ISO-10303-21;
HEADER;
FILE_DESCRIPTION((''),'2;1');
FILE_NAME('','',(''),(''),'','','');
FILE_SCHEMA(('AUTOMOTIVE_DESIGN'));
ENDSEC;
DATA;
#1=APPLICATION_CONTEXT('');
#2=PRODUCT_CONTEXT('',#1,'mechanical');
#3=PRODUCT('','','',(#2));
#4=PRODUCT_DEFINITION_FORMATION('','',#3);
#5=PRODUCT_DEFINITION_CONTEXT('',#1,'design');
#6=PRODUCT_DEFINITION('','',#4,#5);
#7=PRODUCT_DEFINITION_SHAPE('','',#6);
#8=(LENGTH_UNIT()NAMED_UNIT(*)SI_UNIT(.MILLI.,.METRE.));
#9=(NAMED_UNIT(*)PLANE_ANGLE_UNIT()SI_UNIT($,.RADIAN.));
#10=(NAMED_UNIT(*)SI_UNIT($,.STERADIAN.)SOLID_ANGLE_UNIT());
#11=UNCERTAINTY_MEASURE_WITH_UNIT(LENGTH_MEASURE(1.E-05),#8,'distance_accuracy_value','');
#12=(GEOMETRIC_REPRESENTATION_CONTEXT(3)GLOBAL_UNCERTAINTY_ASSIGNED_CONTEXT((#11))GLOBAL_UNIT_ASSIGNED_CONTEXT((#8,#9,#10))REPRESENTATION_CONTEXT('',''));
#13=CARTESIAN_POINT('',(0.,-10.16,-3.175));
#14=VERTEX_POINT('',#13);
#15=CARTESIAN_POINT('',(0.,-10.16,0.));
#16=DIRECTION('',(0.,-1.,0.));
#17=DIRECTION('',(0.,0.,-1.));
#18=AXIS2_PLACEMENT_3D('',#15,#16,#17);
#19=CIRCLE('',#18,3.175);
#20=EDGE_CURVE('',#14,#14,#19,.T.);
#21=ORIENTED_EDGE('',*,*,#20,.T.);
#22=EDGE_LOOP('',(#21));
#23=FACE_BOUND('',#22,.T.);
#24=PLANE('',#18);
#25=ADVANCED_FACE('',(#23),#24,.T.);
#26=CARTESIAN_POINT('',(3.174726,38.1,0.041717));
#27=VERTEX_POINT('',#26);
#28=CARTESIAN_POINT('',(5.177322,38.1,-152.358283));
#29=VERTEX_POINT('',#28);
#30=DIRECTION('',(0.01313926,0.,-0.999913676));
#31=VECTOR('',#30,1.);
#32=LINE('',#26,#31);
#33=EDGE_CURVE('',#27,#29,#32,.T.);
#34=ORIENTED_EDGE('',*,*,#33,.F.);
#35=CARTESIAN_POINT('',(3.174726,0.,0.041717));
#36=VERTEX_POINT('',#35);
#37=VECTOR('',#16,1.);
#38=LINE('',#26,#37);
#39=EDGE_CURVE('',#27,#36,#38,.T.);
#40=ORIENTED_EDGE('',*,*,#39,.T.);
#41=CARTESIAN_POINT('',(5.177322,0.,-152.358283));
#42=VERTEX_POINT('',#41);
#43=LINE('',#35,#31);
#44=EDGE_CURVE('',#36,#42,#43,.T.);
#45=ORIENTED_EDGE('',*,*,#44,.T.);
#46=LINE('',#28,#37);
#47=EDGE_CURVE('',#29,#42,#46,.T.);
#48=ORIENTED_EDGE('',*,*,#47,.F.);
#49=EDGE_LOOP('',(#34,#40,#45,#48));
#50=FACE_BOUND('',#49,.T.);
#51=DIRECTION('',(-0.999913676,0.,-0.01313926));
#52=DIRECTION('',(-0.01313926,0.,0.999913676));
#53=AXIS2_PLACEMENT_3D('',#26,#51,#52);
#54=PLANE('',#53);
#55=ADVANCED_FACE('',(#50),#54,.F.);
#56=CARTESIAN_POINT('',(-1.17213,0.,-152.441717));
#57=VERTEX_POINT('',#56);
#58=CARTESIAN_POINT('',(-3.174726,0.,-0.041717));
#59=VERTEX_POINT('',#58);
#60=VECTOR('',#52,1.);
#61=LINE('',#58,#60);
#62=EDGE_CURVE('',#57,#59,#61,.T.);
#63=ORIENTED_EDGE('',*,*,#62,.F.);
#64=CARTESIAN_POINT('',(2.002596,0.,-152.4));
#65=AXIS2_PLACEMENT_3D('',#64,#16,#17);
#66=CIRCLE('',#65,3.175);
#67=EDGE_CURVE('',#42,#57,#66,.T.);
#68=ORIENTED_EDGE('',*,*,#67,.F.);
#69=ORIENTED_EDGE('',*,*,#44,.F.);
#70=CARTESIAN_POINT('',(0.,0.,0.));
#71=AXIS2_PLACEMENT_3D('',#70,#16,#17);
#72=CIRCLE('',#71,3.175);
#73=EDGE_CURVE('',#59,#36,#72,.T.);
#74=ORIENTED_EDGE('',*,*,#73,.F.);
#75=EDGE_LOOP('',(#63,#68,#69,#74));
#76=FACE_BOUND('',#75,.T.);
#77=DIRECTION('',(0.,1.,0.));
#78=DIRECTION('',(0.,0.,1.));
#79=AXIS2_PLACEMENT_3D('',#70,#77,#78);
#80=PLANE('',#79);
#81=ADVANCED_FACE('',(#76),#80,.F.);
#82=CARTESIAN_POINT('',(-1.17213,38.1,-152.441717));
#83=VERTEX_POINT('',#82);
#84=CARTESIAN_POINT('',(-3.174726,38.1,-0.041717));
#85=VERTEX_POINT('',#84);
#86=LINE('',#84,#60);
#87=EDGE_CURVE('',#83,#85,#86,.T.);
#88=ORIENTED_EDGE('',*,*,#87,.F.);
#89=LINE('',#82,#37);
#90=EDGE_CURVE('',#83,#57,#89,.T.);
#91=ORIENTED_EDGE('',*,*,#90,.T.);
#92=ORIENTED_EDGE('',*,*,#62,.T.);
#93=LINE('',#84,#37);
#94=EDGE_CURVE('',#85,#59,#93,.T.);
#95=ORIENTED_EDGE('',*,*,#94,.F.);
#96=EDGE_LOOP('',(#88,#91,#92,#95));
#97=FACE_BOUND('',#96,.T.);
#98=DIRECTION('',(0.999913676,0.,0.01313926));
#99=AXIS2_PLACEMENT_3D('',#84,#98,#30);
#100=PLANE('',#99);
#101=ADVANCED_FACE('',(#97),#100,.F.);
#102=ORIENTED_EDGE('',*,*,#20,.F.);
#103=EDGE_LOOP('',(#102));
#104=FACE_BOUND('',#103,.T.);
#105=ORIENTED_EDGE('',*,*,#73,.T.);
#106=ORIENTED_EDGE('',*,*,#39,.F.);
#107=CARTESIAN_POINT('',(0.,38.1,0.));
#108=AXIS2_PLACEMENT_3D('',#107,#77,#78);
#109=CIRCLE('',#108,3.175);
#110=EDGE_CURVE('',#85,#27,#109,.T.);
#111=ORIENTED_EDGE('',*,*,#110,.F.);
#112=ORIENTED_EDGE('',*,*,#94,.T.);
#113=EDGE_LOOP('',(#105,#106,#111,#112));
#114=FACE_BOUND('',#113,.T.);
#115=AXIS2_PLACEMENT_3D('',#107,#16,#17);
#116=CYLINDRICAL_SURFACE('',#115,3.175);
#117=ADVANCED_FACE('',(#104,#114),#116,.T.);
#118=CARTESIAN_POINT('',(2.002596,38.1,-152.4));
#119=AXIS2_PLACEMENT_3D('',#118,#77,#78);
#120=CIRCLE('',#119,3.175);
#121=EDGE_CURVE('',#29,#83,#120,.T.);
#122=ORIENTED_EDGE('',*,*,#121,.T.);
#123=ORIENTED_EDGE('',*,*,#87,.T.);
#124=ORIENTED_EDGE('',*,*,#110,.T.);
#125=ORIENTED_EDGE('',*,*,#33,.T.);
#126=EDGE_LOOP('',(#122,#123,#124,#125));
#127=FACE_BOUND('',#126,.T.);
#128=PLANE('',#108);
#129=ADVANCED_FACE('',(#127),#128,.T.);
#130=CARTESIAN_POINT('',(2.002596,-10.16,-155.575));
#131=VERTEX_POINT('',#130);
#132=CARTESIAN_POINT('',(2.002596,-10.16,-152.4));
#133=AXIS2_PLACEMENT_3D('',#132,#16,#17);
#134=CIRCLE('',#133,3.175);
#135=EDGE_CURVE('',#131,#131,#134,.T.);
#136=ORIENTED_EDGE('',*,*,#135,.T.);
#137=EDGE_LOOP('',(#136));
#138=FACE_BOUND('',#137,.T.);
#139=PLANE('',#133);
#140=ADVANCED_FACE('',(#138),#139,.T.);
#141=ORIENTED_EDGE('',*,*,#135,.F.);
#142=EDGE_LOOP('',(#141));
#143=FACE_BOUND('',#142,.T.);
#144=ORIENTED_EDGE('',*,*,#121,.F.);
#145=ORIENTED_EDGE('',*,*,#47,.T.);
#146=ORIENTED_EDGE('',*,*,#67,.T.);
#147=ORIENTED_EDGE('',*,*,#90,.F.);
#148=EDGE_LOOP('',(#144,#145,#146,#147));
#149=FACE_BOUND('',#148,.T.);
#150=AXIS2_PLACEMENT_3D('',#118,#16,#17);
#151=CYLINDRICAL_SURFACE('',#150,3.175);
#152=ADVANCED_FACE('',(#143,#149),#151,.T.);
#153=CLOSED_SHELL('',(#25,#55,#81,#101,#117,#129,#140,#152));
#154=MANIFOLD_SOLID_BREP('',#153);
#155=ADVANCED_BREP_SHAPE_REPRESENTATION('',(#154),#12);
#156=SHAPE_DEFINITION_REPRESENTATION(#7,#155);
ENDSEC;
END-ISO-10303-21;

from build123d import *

# Parameters (mm, degrees)
BOSS_EXTRUDE1_DEPTH = 38.1
BOSS_EXTRUDE2_START = 10.16
SKETCH2_R           = 3.175
BOSS_EXTRUDE2_DEPTH = 10.16


with BuildPart() as part:
    # Sketch1 → Boss-Extrude1 (new body)
    with BuildSketch(Plane(origin=(0, 0, 0), x_dir=(1, 0, 0), z_dir=(0, 1, 0))):
        with BuildLine():
            Line((-3.174725922, 0.04171715), (-1.172129839, 152.44171715))
            ThreePointArc((-1.172129839, 152.44171715), (2.044313233, 155.574725922), (5.177322005, 152.35828285))
            Line((5.177322005, 152.35828285), (3.174725922, -0.04171715))
            ThreePointArc((3.174725922, -0.04171715), (-0.04171715, -3.174725922), (-3.174725922, 0.04171715))
        make_face()
    extrude(amount=BOSS_EXTRUDE1_DEPTH)

    # Sketch2 → Boss-Extrude2 (add)
    with BuildSketch(Plane(origin=(0, 0, 0), x_dir=(-1, 0, 0), z_dir=(0, -1, 0)).offset(BOSS_EXTRUDE2_START)):
        with Locations(Location((-2.002596083, 152.4, 0), (0, 0, 90))):
            Circle(SKETCH2_R)
        with Locations(Location((0, 0, 0), (0, 0, 90))):
            Circle(SKETCH2_R)
    extrude(amount=-BOSS_EXTRUDE2_DEPTH)


solid = part.part
